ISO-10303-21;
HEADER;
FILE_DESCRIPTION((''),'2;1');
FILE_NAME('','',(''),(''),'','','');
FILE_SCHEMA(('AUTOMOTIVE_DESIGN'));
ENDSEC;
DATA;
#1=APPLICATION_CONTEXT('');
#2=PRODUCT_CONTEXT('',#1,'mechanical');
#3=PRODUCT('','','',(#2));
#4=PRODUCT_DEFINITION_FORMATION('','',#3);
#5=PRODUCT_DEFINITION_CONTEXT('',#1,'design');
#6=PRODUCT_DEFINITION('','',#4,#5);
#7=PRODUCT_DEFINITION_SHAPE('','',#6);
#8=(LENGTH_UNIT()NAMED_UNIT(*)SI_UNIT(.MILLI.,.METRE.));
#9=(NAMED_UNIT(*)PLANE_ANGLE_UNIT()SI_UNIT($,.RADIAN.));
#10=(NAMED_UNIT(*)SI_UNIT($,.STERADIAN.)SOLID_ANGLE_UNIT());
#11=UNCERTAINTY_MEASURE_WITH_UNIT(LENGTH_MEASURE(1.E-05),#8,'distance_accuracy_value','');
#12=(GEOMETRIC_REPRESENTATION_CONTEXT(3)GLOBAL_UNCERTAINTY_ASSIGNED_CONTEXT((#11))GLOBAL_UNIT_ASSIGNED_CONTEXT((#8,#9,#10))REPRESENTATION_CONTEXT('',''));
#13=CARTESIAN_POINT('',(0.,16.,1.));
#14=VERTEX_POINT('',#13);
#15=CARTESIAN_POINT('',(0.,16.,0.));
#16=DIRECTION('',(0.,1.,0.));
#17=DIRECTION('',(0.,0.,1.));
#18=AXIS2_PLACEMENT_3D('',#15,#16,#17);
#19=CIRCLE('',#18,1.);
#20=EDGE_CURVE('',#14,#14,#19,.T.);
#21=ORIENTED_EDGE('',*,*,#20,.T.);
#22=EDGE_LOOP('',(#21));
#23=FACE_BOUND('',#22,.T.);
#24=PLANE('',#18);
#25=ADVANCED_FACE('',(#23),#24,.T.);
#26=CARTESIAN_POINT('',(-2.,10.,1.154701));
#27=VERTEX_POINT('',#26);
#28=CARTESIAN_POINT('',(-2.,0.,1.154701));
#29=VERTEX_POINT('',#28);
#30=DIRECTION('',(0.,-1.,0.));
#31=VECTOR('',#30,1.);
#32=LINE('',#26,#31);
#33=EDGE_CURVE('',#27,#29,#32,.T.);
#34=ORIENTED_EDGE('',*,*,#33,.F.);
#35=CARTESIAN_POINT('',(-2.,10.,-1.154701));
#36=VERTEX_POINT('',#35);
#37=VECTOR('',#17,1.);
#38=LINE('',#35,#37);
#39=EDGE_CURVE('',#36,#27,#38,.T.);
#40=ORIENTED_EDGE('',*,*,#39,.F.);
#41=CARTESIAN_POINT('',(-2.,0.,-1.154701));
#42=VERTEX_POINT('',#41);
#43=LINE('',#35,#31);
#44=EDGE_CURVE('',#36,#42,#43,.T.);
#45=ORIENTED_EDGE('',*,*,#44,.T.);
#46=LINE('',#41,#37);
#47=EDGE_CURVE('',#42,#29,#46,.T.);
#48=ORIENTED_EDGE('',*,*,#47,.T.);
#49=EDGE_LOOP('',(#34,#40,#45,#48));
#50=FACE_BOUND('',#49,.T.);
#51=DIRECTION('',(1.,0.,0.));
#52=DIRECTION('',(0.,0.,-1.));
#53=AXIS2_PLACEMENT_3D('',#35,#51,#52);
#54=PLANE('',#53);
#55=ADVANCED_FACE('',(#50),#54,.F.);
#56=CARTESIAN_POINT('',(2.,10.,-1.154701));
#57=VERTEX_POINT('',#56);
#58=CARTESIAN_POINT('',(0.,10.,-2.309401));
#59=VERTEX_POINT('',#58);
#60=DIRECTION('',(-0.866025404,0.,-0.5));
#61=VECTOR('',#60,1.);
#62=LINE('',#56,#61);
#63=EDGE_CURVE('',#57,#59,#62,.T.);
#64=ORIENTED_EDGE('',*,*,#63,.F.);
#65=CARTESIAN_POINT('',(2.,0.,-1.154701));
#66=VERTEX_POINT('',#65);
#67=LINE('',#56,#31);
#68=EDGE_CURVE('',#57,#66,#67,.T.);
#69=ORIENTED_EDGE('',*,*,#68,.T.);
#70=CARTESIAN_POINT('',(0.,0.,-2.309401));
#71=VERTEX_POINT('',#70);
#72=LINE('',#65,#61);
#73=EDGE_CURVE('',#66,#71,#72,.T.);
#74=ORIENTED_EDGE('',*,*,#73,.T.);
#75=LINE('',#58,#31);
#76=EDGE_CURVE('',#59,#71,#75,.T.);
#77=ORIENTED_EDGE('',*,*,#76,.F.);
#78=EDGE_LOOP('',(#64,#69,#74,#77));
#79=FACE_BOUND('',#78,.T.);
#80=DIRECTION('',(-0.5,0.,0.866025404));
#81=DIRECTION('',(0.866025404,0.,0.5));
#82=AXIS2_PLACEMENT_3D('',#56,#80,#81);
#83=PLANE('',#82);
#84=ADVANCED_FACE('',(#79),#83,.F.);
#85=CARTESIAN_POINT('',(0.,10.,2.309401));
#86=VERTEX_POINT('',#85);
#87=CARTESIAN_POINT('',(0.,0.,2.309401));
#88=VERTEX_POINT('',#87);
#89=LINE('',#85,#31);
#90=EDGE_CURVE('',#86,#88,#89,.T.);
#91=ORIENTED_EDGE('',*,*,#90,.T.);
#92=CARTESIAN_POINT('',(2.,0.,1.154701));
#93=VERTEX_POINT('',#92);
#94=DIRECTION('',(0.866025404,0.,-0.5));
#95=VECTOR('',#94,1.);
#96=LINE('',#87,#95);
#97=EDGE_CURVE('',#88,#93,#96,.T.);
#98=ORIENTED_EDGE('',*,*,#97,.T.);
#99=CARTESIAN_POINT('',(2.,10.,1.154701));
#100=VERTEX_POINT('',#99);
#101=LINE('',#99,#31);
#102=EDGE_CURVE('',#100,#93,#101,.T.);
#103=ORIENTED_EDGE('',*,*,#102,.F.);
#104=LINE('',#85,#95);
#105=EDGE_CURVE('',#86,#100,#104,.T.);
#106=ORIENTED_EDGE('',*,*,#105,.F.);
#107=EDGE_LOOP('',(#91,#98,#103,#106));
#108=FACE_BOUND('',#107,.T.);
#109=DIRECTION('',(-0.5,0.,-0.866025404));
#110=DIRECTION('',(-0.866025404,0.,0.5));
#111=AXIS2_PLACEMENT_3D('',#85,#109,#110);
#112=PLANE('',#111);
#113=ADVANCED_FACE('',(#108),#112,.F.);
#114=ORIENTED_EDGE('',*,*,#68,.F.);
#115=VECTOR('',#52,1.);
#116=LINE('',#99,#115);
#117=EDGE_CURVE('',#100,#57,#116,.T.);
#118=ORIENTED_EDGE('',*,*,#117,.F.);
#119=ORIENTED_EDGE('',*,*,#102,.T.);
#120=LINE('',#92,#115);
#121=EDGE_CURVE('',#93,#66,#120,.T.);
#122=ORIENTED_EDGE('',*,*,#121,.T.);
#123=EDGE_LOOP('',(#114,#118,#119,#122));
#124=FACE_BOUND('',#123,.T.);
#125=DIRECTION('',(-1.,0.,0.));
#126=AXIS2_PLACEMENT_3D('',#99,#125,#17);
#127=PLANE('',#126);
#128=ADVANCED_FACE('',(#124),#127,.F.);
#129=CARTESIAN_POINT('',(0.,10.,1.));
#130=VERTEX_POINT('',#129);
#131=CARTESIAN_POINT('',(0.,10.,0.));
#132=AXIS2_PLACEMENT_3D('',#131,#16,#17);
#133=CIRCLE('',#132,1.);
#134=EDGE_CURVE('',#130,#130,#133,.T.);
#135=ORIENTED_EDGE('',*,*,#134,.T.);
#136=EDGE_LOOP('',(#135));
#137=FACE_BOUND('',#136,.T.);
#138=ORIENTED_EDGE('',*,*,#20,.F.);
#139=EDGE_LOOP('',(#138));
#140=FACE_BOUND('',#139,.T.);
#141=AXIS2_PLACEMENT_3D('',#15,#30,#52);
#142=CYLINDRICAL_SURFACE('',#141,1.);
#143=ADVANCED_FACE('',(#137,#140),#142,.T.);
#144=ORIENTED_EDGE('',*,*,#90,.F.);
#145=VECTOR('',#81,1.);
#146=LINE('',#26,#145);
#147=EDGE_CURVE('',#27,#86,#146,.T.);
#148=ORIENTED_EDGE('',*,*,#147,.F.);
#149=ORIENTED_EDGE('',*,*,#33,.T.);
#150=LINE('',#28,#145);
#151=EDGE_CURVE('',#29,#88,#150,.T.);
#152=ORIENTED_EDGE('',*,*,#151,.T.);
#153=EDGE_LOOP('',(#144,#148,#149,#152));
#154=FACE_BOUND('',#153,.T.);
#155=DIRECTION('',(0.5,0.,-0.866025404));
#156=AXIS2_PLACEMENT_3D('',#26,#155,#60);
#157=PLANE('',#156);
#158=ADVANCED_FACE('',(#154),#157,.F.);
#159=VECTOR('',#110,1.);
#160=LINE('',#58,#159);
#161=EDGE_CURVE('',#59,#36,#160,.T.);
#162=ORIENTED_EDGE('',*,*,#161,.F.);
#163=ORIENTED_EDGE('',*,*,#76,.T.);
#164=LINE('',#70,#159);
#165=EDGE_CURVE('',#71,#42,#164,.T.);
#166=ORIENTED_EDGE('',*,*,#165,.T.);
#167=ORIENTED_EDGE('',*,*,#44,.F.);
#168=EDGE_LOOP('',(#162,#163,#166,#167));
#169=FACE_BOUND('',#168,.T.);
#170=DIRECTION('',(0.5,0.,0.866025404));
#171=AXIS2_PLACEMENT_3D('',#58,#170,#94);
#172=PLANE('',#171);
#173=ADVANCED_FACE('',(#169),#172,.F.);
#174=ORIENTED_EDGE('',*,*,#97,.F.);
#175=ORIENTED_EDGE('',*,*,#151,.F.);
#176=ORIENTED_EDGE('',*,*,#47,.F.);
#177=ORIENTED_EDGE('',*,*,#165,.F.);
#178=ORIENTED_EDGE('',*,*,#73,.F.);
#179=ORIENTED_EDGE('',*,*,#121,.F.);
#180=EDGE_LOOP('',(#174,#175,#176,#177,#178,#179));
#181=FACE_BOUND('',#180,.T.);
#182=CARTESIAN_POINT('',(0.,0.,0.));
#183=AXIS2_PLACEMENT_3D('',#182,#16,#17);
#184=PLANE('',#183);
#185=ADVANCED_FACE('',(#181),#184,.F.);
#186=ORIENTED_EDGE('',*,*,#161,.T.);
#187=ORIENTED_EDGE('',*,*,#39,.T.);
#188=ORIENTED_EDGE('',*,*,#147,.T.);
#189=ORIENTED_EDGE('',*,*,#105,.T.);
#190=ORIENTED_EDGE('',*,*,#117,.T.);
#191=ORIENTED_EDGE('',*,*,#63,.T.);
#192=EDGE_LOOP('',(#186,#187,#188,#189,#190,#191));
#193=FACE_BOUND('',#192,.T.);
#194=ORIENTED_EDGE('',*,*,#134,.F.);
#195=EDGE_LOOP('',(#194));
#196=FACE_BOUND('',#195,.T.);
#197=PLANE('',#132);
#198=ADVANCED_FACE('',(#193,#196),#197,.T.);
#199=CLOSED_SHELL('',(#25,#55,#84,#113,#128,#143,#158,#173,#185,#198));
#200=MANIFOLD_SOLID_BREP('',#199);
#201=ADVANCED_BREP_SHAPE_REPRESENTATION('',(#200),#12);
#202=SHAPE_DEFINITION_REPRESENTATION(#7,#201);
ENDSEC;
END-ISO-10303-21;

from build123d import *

# Parameters (mm, degrees)
EXTRUDE_1_DEPTH = 10
SKETCH_2_R      = 1
EXTRUDE_2_DEPTH = 6


with BuildPart() as part:
    # Эскиз1 → Бобышка-Вытянуть1 (new body)
    with BuildSketch(Plane(origin=(0, 0, 0), x_dir=(1, 0, 0), z_dir=(0, 1, 0))):
        Polygon((0, -2.309401077), (2, -1.154700538), (2, 1.154700538), (0, 2.309401077), (-2, 1.154700538), (-2, -1.154700538), align=None)
    extrude(amount=EXTRUDE_1_DEPTH)

    # Эскиз2 → Бобышка-Вытянуть2 (add)
    with BuildSketch(Plane(origin=(0, 10, 0), x_dir=(1, 0, 0), z_dir=(0, 1, 0))):
        with Locations(Location((0, 0, 0), (0, 0, 270))):
            Circle(SKETCH_2_R)
    extrude(amount=EXTRUDE_2_DEPTH)


solid = part.part
